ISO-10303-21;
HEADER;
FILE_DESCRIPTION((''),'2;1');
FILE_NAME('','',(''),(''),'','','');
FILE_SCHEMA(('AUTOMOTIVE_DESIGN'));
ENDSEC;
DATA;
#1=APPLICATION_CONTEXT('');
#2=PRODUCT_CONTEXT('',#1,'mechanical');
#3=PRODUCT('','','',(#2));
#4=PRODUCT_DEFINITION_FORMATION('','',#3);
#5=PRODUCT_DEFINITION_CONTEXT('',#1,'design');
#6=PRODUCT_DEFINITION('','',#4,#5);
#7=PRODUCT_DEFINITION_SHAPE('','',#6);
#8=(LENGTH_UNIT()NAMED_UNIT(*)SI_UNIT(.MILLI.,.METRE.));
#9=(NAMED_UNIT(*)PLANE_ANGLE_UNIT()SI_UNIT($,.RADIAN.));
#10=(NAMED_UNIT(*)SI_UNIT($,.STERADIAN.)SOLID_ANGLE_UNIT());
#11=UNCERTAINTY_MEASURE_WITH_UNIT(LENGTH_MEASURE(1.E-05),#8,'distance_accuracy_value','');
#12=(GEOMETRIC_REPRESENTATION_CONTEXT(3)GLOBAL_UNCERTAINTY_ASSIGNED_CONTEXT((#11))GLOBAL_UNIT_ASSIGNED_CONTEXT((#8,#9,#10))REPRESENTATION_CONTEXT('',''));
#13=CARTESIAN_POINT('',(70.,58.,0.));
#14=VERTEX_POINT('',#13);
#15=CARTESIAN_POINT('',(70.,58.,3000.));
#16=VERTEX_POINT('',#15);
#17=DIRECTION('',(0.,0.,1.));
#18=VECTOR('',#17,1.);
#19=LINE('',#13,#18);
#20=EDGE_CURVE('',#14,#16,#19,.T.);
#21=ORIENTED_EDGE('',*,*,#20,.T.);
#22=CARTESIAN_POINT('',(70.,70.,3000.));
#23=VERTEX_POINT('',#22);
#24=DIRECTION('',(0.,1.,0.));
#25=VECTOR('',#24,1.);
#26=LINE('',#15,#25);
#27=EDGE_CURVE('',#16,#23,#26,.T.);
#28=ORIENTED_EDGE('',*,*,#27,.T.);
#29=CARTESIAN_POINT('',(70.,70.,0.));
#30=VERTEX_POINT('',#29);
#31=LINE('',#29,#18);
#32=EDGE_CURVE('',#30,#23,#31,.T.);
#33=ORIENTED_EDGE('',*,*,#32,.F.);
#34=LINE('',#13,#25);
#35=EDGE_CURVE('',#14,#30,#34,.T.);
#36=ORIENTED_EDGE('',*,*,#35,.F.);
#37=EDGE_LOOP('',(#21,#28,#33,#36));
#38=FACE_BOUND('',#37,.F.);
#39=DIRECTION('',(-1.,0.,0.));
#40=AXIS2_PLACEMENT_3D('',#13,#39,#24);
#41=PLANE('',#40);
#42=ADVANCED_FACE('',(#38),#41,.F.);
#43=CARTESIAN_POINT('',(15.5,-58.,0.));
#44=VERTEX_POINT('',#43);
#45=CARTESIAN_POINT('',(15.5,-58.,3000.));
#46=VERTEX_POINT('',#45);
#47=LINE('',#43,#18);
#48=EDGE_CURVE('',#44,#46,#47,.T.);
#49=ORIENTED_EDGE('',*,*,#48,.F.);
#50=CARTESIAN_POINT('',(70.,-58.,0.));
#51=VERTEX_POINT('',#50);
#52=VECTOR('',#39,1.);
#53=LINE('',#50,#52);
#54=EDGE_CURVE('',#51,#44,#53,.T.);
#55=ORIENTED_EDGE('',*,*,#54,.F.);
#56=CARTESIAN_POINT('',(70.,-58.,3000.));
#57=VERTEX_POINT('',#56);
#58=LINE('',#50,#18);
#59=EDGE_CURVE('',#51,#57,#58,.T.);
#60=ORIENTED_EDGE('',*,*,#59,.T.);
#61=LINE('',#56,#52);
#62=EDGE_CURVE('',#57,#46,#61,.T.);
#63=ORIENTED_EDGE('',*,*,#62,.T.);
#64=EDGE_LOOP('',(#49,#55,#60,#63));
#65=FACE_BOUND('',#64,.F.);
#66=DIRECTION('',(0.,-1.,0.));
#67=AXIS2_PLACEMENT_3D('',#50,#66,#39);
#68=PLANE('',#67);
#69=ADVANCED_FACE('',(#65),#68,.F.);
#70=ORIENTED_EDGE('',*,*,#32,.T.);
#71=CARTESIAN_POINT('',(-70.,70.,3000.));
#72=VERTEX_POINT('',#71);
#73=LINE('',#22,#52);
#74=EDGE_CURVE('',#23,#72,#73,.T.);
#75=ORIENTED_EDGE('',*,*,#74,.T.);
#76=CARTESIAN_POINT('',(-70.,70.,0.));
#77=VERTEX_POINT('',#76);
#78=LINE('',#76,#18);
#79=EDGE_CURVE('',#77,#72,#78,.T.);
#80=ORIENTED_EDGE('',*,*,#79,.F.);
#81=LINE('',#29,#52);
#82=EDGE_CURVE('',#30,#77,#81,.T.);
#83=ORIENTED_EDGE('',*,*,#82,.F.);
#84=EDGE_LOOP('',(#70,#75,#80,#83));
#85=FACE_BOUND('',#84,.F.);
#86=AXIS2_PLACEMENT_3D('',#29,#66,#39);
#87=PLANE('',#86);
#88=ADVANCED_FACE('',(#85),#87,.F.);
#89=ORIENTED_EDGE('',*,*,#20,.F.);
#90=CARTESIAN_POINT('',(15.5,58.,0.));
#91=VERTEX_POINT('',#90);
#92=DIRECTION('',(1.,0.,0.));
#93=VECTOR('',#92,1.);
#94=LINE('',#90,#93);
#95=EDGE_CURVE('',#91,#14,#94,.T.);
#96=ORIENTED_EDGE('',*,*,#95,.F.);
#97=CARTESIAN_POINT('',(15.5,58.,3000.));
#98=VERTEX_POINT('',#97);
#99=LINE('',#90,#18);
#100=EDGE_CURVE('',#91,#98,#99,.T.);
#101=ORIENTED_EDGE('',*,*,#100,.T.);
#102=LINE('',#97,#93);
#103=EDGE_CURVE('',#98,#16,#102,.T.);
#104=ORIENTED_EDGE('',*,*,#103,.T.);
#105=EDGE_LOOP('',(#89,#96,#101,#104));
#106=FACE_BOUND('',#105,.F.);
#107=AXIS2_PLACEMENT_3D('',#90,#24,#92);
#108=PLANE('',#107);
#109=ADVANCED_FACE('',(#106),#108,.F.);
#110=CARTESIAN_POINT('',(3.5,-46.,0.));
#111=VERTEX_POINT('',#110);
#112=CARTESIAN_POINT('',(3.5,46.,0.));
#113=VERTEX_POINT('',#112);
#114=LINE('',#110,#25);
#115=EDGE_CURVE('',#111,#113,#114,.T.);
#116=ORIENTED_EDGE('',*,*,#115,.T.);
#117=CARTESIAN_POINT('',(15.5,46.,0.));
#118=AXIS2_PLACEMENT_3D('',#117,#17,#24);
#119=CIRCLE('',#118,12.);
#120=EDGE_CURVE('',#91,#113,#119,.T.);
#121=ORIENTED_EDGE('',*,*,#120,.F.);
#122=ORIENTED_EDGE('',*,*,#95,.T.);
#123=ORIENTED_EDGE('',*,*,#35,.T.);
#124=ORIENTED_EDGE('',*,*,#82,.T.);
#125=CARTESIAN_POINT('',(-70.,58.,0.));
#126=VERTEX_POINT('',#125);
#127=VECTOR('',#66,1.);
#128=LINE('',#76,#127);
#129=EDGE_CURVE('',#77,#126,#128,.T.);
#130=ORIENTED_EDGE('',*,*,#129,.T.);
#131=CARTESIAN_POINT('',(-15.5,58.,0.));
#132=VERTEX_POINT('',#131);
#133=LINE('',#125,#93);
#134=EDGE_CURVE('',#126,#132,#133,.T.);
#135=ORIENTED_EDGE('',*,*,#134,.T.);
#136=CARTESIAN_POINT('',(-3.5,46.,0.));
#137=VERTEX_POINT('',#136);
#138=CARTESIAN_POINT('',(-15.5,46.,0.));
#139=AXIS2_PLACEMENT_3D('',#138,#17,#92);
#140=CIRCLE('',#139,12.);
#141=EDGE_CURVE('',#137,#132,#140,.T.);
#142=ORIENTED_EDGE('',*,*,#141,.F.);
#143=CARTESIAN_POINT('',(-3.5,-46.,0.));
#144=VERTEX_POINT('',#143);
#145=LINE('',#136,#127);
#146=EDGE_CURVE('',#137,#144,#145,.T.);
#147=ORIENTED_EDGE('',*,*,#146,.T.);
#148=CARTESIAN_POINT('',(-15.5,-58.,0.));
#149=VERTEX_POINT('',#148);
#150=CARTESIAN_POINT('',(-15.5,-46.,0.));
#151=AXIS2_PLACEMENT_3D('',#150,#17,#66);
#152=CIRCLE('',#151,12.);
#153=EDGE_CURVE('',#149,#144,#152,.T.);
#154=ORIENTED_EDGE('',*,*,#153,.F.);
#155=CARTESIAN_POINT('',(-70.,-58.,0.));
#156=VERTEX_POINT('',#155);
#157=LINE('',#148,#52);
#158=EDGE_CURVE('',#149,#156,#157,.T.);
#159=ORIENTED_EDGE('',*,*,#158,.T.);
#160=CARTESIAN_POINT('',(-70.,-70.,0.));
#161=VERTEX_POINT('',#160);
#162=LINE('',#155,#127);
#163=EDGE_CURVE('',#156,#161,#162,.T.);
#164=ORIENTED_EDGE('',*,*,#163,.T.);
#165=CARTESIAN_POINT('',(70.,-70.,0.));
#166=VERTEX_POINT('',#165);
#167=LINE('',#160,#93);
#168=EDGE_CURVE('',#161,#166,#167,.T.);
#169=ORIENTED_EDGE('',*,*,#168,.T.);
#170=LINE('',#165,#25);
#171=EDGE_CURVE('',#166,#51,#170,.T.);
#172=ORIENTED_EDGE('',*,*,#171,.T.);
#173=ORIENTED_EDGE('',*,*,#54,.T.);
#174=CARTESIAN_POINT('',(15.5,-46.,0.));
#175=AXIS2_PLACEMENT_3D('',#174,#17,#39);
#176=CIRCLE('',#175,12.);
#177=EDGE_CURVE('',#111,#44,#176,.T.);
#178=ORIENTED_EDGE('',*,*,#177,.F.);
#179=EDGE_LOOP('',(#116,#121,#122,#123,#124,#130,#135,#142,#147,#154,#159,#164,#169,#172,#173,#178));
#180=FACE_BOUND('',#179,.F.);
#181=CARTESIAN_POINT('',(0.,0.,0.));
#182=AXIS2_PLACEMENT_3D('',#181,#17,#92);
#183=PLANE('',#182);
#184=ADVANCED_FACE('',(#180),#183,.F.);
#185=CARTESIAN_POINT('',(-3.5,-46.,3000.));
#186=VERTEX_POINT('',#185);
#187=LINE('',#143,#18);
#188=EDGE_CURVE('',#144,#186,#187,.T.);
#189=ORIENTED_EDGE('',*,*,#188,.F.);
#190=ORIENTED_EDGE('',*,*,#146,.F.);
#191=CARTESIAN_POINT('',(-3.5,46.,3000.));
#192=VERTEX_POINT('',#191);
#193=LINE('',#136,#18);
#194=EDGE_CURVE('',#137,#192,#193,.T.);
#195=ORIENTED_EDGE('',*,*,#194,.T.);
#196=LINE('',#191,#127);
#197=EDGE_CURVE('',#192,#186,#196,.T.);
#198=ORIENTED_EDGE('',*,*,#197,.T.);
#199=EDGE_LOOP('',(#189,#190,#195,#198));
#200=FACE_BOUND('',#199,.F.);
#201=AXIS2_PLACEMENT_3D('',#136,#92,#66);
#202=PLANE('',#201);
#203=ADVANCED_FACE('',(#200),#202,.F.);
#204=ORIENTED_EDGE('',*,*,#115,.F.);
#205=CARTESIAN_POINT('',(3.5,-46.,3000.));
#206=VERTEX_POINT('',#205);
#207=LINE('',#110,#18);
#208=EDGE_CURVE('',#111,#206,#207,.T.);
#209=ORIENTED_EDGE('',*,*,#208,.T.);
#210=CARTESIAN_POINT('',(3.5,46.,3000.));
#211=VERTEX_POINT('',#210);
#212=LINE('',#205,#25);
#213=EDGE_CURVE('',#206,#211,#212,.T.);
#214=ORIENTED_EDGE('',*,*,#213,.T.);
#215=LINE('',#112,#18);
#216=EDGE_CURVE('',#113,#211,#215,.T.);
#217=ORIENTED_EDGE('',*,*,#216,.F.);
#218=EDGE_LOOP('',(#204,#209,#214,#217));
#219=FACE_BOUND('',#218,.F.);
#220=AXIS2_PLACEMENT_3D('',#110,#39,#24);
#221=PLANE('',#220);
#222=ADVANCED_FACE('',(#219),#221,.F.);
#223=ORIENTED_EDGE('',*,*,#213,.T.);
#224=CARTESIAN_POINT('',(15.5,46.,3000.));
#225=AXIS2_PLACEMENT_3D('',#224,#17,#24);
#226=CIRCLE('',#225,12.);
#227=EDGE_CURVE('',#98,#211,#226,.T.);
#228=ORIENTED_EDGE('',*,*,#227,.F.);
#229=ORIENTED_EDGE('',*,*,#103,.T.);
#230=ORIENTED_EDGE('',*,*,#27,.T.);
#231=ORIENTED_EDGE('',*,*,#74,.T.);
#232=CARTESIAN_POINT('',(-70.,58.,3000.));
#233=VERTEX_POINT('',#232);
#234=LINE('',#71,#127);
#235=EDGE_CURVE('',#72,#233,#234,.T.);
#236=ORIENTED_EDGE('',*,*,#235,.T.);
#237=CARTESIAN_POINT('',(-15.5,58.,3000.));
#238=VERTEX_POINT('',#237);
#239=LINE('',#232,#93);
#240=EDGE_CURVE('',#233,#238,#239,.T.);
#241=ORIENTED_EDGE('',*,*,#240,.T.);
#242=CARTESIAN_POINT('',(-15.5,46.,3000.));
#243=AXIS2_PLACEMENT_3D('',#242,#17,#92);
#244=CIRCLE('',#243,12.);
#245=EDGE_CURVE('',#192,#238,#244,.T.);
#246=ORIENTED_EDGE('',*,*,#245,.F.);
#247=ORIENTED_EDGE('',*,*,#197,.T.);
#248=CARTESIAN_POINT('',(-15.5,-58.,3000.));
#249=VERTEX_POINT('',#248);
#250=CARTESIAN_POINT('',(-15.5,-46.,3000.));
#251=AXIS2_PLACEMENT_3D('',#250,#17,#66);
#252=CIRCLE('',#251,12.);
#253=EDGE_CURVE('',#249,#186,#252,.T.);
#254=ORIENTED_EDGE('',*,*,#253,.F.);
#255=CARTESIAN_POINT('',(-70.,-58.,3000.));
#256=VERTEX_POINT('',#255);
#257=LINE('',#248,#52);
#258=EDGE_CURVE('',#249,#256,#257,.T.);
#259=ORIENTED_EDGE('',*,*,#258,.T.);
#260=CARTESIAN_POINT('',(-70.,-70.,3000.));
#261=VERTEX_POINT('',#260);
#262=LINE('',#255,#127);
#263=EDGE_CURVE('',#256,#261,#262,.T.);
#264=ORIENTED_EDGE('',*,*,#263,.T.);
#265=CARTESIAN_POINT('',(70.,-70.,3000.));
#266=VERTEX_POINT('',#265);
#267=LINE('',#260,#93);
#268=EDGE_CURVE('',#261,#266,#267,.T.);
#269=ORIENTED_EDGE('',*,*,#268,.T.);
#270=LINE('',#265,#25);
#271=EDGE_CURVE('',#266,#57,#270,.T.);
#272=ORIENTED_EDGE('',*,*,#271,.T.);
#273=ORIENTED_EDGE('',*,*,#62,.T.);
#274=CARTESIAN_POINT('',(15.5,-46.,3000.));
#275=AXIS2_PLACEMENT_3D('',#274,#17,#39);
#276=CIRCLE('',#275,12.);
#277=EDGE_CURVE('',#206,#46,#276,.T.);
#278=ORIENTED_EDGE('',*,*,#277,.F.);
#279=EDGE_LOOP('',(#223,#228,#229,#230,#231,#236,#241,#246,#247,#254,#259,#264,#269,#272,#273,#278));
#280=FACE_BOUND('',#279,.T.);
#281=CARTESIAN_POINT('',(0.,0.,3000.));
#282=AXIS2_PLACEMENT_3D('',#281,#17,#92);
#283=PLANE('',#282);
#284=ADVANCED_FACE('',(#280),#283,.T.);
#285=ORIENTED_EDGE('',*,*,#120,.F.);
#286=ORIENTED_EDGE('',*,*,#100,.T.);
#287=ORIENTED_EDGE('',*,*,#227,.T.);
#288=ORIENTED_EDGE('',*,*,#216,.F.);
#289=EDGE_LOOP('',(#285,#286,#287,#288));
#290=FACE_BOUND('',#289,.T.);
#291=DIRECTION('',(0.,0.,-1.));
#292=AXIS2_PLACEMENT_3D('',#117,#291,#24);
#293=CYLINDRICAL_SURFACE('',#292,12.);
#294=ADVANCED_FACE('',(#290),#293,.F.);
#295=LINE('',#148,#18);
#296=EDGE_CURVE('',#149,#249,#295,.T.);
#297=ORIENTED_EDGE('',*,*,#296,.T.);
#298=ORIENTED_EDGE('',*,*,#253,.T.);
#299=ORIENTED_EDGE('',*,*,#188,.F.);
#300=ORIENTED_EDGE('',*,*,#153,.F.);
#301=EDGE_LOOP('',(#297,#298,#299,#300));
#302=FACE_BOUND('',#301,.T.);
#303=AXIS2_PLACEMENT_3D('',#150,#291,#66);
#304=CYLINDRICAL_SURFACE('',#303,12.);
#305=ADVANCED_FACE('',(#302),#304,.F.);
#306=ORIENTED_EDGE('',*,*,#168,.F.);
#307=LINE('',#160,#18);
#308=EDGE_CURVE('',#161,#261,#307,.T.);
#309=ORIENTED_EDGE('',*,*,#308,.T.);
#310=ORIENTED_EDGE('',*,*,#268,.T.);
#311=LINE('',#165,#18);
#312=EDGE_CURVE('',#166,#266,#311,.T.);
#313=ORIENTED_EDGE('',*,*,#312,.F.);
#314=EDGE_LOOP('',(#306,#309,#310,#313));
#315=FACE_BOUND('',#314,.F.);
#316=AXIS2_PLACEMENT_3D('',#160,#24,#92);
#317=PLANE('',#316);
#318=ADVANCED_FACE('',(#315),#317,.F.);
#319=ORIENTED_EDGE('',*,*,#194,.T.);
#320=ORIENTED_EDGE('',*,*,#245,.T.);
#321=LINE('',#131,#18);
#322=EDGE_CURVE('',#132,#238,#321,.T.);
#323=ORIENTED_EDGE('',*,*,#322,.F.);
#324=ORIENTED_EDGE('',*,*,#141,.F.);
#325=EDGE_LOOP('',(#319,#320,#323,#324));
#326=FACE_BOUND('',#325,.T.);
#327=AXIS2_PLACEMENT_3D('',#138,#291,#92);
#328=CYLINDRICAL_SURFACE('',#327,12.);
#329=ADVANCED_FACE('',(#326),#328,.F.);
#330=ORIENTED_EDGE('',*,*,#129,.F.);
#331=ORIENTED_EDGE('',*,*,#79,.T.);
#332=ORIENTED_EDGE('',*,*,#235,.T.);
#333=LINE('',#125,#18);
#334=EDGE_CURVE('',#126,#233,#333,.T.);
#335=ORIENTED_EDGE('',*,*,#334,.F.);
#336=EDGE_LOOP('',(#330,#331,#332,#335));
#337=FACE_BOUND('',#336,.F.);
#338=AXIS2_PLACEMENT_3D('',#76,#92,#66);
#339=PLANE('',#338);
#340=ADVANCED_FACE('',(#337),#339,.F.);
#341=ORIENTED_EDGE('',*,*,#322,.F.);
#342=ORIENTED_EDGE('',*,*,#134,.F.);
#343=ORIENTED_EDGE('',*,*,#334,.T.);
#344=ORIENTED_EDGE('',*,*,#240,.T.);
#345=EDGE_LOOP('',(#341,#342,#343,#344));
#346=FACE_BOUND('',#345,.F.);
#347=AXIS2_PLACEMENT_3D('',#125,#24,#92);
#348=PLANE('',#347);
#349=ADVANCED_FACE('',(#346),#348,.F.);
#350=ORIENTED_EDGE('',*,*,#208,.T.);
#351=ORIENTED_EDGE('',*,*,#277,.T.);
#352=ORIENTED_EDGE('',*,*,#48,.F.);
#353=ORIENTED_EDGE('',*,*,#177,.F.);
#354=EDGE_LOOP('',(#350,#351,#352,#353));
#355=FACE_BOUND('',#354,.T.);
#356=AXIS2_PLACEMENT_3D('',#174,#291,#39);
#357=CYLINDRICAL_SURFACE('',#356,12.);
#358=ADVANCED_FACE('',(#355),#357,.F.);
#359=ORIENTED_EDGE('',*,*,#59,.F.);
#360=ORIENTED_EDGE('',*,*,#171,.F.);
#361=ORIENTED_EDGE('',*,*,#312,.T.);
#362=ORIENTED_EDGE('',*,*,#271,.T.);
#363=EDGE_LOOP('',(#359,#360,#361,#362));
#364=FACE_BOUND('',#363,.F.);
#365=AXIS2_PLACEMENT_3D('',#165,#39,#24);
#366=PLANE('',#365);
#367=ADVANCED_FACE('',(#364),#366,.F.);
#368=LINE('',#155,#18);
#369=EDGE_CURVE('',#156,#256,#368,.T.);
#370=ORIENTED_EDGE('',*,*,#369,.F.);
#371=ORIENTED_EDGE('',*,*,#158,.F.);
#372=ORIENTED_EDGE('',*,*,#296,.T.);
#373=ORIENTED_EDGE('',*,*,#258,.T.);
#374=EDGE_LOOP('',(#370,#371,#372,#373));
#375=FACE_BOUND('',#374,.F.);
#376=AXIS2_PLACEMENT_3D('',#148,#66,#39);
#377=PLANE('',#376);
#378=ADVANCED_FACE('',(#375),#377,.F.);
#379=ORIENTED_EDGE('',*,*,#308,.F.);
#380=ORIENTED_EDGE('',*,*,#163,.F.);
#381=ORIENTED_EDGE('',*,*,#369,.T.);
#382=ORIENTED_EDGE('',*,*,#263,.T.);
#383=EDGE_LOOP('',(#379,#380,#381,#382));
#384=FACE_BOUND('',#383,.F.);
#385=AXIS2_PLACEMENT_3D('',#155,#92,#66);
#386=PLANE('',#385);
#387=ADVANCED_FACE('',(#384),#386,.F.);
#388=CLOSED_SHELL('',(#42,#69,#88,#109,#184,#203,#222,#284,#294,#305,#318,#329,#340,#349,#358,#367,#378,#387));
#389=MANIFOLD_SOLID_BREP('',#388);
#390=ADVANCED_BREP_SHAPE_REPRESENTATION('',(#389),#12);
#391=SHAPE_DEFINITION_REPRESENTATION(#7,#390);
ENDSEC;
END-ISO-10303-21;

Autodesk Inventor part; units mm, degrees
ref_plane "YZ Plane" through (0, 0, 0) normal (1, 0, 0) x (0, 1, 0)
ref_plane "Start plane" through (0, 0, 0) normal (0, 0, 1) x (1, 0, 0)
ref_plane "End plane" through (0, 0, 3000) normal (0, 0, 1) x (1, 0, 0)
sketch "Sketch2" plane through (0, 0, 0) normal (0, 0, 1) x (1, 0, 0)
  line L0 (-70, 58) -> (-15.5, 58)
  line L1 (-70, 70) -> (-70, 58)
  line L2 (70, 70) -> (-70, 70)
  line L3 (70, 58) -> (70, 70)
  line L4 (15.5, 58) -> (70, 58)
  line L5 (3.5, -46) -> (3.5, 46)
  line L6 (70, -58) -> (15.5, -58)
  line L7 (70, -70) -> (70, -58)
  line L8 (-70, -58) -> (-70, -70)
  line L9 (-15.5, -58) -> (-70, -58)
  line L10 (-3.5, 46) -> (-3.5, -46)
  line L11 (0, -5.6) -> (0, 5.6) construction
  line L12 (-3.5, -58) -> (3.5, -58) construction
  arc A0 (-15.5, -58) -> (-3.5, -46) centre (-15.5, -46) ccw
  arc A1 (-3.5, 46) -> (-15.5, 58) centre (-15.5, 46) ccw
  arc A2 (15.5, 58) -> (3.5, 46) centre (15.5, 46) ccw
  arc A3 (3.5, -46) -> (15.5, -58) centre (15.5, -46) ccw
  line L13 (-6.8, 0) -> (12.8, 0) construction
  line L14 (-70, -70) -> (70, -70)
  point P0 (-3.5, 58)
  point P1 (3.5, 58)
  point P2 (0, 0)
  point P3 (0, -58)
  point P4 (0, 0)
  dimension "d1" = 140
  dimension "d3" = 12
  dimension "d5" = 7
  dimension "d7" = 140
  dimension "d13" = 12
  dimension "d14" = 70
  dimension "d15" = 70
extrude "Body" add sketch "Sketch2" along normal up to surface (3000 mm away) from surface at 0
sketch "Sketch3" plane through (0, 0, 0) normal (0, 0, 1) x (1, 0, 0)
  line L0 (0, 0) -> (10, 0)
ref_plane "Work Plane3" through (0, 0, 0) normal (0, -1, 0) x (1, 0, 0)
sketch "Sketch4" plane through (0, 0, 0) normal (0, -1, 0) x (1, 0, 0)
  line L0 (-2, 0) -> (12, 0) projected
  line L1 (-2, 3000) -> (12, 3000) projected
  dimension "d19" = 3000
equation "\"d1\" = ParH"
equation "\"d3\" = t2"
equation "\"d5\" = t1"
equation "\"d7\" = b"
equation "\"d13\" = R1"
equation "\"d14\" = 0.5 * d1"
equation "\"d15\" = 0.5 * d7"
equation "\"d8\" = G_L"
equation "\"b\" = 140"
equation "\"ParH\" = 140"
equation "\"R1\" = 12"
equation "\"G_L\" = d19"
equation "\"t1\" = 7"
equation "\"t2\" = 12"
equation "\"G_OFFSET_START\" = 0"
equation "\"G_OFFSET_END\" = 0"
properties part number "DIN 1025 - IPB 140-3000" material "Steel, Mild"
